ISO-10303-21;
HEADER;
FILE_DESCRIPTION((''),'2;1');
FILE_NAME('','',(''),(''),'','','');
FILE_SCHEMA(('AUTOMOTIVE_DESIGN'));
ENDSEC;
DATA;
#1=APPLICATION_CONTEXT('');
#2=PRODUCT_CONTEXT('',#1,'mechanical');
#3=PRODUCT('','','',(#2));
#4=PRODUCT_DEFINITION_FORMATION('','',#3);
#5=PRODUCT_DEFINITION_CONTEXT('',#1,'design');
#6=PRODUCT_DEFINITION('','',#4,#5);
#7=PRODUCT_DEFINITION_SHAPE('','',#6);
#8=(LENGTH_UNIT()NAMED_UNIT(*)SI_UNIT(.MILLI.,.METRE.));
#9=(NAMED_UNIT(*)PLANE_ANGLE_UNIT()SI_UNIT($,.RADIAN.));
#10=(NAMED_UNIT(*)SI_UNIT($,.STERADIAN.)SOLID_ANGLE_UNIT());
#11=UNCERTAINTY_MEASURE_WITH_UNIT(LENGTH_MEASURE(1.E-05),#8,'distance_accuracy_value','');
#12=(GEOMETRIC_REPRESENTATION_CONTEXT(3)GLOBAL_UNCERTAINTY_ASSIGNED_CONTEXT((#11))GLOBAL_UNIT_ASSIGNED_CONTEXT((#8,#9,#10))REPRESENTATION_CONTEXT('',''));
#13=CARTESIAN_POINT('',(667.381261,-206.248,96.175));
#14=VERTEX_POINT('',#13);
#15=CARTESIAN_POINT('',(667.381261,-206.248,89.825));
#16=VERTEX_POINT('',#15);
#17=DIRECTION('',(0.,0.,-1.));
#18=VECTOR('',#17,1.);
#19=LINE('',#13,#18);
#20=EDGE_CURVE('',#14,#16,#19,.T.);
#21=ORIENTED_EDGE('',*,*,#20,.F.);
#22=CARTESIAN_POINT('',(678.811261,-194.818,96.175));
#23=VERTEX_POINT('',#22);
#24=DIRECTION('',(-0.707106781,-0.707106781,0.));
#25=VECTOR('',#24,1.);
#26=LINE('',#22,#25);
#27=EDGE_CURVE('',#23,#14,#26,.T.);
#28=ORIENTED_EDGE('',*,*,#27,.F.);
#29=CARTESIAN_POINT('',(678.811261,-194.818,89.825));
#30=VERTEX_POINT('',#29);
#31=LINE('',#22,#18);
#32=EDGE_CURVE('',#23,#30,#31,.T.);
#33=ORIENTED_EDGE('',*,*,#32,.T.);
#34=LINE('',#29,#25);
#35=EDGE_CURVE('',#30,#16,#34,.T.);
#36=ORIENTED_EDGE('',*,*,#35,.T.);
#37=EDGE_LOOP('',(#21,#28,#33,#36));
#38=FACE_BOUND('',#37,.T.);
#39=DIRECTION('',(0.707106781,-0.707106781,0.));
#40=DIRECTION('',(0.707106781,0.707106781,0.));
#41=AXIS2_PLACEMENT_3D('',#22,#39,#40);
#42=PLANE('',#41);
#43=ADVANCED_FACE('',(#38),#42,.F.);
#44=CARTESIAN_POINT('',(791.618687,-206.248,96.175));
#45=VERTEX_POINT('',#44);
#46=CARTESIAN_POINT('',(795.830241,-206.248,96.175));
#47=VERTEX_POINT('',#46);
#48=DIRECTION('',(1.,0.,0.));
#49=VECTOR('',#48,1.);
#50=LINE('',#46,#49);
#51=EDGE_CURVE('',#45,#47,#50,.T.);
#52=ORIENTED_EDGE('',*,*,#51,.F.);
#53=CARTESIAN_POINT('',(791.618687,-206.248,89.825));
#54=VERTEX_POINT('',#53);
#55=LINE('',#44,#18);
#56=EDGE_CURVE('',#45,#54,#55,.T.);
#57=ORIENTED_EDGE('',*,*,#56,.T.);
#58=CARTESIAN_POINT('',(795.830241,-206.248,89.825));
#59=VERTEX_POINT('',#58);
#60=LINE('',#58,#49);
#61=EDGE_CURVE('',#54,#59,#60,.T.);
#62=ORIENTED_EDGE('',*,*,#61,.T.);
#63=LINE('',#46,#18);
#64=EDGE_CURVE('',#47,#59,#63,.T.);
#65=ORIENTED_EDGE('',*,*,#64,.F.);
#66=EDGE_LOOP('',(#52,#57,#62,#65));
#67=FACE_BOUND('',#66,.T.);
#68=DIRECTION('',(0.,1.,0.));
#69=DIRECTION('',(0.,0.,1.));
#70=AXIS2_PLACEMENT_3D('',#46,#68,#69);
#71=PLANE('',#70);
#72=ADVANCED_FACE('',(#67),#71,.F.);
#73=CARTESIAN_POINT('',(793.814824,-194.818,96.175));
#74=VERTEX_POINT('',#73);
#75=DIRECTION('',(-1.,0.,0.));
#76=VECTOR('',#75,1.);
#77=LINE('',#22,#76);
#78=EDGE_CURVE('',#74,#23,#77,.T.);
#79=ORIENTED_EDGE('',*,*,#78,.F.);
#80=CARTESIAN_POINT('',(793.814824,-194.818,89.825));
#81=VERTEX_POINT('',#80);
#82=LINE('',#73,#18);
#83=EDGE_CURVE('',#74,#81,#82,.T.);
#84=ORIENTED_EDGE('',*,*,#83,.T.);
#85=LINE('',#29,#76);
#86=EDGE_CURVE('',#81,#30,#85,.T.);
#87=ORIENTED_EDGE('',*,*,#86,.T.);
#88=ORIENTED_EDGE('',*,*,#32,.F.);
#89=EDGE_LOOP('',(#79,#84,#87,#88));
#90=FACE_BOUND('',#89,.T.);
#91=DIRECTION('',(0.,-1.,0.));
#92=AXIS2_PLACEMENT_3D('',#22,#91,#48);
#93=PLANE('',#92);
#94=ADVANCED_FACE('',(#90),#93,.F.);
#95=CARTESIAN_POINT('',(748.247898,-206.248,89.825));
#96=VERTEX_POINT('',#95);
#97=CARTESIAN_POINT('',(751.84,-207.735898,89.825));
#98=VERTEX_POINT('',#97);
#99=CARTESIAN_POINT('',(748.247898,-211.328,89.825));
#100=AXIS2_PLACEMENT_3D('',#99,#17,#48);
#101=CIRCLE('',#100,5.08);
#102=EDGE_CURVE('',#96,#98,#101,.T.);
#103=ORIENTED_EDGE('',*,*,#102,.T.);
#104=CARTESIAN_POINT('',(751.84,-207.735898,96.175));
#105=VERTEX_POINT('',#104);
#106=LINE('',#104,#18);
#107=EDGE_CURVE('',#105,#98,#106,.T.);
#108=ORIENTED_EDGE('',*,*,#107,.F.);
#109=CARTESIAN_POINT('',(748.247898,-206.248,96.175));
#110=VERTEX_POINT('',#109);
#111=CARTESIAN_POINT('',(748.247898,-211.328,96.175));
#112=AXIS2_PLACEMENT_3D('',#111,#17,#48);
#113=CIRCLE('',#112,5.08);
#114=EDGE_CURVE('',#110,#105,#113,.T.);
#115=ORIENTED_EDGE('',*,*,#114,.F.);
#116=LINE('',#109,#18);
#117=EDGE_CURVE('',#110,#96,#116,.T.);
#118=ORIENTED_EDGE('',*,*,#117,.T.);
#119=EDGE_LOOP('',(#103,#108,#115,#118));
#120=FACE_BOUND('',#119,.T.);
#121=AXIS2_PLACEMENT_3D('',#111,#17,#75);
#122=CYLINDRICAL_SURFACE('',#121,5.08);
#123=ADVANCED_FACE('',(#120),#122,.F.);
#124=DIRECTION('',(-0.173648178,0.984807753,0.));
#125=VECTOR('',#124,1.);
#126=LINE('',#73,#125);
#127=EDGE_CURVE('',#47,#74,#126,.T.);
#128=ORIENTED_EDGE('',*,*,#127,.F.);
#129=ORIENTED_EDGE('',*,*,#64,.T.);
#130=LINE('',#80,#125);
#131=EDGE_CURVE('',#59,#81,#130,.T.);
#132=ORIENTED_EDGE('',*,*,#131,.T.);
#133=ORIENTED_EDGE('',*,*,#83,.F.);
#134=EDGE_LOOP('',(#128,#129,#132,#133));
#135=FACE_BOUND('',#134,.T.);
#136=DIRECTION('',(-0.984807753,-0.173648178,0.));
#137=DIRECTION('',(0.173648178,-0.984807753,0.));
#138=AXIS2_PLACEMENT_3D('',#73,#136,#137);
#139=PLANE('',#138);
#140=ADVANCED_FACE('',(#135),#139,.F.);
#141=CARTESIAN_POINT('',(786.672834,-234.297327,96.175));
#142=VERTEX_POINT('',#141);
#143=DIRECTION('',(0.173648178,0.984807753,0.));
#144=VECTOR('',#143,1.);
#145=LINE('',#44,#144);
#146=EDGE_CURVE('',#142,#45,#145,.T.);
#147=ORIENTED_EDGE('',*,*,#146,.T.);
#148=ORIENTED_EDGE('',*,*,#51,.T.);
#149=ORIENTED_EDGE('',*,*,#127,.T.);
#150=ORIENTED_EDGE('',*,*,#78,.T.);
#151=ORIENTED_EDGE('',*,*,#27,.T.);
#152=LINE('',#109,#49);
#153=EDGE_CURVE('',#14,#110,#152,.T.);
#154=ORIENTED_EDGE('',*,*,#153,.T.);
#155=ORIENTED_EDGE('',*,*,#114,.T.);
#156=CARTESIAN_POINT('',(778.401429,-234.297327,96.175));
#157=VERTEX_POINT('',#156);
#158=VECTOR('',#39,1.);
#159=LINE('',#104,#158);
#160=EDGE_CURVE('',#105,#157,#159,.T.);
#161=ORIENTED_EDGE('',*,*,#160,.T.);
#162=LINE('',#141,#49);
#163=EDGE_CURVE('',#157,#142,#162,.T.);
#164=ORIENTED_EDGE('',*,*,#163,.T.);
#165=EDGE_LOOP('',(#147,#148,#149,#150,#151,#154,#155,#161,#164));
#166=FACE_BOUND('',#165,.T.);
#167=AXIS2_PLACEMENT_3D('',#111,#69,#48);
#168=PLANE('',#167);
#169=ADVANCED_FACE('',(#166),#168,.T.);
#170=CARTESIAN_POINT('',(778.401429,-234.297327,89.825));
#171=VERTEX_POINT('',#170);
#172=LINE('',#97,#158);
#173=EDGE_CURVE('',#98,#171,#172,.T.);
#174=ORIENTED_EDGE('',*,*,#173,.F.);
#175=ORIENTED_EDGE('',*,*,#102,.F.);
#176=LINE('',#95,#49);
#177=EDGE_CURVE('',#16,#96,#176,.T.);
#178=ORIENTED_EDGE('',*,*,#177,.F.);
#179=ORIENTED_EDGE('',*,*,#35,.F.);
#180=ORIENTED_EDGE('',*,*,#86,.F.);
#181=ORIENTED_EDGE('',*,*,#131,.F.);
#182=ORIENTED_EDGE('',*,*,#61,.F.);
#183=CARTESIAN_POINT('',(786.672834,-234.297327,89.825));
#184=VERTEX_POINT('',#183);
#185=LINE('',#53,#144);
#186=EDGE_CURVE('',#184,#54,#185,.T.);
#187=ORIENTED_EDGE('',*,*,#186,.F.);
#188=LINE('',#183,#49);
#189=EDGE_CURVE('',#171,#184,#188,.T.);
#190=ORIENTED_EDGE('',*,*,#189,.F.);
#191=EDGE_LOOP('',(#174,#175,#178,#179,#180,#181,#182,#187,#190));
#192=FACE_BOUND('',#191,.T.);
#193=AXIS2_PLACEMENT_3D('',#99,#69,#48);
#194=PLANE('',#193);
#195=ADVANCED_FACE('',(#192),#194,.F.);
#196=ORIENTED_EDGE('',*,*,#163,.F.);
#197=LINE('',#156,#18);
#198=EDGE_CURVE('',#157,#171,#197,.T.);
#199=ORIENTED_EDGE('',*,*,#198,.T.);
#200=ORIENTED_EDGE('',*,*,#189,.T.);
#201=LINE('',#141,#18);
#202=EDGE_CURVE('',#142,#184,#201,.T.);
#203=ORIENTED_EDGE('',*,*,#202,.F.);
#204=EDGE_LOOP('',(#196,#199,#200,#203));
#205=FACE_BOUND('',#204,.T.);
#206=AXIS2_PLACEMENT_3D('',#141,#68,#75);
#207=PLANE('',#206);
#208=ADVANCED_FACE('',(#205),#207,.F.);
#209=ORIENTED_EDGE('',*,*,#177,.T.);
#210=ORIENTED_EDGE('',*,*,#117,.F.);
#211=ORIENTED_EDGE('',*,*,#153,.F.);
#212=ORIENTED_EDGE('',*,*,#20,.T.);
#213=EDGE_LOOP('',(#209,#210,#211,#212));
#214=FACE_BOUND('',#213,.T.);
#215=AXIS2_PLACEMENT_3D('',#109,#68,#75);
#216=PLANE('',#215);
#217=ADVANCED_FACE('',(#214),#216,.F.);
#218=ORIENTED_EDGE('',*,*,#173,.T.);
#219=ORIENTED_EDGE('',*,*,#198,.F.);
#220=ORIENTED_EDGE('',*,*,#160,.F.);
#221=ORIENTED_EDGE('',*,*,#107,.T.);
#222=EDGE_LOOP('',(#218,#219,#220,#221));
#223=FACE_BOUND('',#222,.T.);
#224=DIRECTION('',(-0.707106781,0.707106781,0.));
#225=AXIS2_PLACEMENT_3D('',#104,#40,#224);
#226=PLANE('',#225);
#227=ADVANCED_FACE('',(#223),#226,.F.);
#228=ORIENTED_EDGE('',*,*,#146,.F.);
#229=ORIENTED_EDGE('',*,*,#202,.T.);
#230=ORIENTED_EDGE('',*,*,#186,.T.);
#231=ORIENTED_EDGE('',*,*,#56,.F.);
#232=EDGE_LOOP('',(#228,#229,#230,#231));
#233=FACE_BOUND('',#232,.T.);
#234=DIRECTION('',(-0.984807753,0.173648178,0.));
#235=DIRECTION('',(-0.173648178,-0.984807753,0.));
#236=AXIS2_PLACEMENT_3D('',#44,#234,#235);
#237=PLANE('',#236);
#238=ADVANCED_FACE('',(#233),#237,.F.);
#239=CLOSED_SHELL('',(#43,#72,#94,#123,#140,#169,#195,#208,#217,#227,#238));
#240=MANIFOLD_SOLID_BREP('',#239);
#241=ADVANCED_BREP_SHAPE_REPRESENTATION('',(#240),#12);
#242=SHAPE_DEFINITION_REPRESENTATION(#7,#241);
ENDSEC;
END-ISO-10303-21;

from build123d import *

# Parameters (mm, degrees)
BOSS_EXTRUDE1_DEPTH = 3.175


with BuildPart() as part:
    # Sketch1 → Boss-Extrude1 (new, symmetric)
    with BuildSketch(Plane.XY.offset(93)):
        with BuildLine():
            Line((786.672833799, -234.297326982), (778.40142943, -234.297326982))
            Line((778.40142943, -234.297326982), (751.84, -207.735897552))
            ThreePointArc((751.84, -207.735897552), (750.191929388, -206.634691975), (748.247897552, -206.248))
            Line((748.247897552, -206.248), (667.381261469, -206.248))
            Line((667.381261469, -206.248), (678.811261469, -194.818))
            Line((678.811261469, -194.818), (793.814823755, -194.818))
            Line((793.814823755, -194.818), (795.830241145, -206.248))
            Line((795.830241145, -206.248), (791.618686937, -206.248))
            Line((791.618686937, -206.248), (786.672833799, -234.297326982))
        make_face()
    extrude(amount=BOSS_EXTRUDE1_DEPTH, both=True)


solid = part.part
